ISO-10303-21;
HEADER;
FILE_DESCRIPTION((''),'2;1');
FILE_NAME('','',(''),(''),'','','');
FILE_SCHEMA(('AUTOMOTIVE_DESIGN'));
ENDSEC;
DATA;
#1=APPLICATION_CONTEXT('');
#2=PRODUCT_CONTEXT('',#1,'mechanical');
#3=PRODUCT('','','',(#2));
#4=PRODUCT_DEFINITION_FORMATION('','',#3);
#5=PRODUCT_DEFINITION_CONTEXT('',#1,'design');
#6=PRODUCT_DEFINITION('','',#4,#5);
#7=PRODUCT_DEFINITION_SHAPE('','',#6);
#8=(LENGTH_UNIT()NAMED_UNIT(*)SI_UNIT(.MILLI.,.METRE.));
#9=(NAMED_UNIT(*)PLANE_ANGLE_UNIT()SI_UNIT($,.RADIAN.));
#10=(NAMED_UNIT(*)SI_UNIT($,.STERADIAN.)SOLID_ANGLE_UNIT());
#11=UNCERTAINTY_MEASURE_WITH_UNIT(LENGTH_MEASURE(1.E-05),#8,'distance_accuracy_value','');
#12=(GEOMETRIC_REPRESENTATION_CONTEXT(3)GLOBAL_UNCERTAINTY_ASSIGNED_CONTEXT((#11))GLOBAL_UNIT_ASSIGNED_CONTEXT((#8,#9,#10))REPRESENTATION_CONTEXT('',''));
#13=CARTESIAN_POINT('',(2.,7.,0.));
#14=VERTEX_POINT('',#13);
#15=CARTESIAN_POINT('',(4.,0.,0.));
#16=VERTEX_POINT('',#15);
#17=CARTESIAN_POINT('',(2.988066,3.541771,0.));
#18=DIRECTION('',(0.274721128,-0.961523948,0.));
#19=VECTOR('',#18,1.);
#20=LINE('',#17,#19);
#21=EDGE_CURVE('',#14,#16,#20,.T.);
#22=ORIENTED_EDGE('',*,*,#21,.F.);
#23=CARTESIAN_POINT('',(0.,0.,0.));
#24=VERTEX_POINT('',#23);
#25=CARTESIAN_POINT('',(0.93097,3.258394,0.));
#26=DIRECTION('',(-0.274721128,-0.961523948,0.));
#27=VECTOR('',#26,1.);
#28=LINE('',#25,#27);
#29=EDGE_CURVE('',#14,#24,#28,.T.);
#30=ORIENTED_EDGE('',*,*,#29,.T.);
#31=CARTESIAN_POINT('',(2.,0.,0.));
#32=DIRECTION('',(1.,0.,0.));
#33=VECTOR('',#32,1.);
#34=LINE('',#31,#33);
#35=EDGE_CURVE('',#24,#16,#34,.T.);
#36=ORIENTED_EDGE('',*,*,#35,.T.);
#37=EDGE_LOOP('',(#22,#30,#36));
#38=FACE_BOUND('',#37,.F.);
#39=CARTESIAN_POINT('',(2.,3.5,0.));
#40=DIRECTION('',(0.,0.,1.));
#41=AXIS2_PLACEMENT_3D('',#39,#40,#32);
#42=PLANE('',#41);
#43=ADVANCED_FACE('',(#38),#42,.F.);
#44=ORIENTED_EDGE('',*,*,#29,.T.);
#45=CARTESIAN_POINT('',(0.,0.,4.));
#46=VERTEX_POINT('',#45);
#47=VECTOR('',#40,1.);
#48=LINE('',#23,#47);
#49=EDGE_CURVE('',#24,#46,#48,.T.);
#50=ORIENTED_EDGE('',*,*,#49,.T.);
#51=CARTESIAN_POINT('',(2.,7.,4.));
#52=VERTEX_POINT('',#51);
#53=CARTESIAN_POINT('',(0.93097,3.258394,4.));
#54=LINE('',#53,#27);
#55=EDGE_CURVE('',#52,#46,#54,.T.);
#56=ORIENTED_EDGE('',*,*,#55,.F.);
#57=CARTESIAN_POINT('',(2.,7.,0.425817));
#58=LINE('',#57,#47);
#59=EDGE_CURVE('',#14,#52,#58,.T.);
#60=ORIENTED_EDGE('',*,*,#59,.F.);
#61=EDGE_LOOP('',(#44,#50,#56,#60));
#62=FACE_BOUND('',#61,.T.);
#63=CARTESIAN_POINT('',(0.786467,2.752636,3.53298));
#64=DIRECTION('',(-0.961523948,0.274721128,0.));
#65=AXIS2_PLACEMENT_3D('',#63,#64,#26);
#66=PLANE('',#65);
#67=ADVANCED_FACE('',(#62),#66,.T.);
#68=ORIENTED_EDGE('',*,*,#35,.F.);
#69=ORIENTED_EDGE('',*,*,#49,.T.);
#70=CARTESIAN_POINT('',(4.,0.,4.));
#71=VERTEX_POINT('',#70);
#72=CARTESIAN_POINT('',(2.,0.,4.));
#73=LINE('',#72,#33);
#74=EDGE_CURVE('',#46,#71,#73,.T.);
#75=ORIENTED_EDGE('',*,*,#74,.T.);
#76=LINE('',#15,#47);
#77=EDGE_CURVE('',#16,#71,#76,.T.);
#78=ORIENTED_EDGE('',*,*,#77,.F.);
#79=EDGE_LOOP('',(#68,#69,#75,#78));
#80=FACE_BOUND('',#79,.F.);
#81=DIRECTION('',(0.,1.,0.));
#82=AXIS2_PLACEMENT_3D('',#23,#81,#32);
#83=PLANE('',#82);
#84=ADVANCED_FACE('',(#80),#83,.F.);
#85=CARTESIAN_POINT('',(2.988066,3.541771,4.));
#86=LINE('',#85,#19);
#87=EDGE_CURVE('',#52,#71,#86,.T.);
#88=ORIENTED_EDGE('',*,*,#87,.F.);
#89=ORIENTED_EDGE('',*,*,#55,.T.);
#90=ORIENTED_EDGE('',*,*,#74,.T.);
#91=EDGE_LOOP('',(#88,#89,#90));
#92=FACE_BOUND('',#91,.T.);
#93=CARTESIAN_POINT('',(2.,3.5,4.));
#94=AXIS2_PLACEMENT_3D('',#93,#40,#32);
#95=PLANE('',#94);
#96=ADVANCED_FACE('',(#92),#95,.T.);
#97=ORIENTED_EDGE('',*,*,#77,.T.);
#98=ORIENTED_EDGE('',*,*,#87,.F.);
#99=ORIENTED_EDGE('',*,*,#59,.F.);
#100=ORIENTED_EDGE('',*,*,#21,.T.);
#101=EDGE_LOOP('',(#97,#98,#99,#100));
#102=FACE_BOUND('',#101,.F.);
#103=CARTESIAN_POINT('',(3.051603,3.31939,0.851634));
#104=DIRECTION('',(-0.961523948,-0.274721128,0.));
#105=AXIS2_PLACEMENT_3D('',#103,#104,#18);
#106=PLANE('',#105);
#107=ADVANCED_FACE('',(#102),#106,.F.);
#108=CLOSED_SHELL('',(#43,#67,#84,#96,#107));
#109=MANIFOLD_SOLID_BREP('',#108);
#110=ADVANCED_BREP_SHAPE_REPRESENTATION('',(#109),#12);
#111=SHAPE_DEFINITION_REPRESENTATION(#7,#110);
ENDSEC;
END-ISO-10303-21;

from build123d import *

# Parameters (mm, degrees)
F0_W      = 4
F0_H      = 7
F1_DEPTH  = 4
F6_DEPTH  = 25
F10_DEPTH = 25


with BuildPart() as f1:
    # F0 (on Top) → F1 (new body)
    with BuildSketch(Plane.XY):
        with Locations((2, 3.5)):
            Rectangle(F0_W, F0_H)
    extrude(amount=F1_DEPTH)

    # F5 (on 3pt) → F6 (cut)
    with BuildSketch(Plane(origin=(3.6981132075, 1.0566037736, 0), x_dir=(0.2747211279, -0.9615239476, 0), z_dir=(-0.9615239476, -0.2747211279, 0))):
        Polygon((9.2587498633, -3.3276440962), (7.0551056415, 9.7208032385), (-14.3242254853, 4.7958698124), (-11.358814391, -8.0770972366), align=None)
    extrude(amount=-F6_DEPTH, mode=Mode.SUBTRACT)

    # F9 (on 3pt) → F10 (cut)
    with BuildSketch(Plane(origin=(0, 0, 0), x_dir=(-0.2747211279, -0.9615239476, 0), z_dir=(-0.9615239476, 0.2747211279, 0))):
        Polygon((-10.4345437139, -9.9992519245), (-6.7709279247, -9.4136027619), (6.2972279266, -9.4136027619), (3.8799964823, 17.0888453722), (-6.9220042787, 14.663727954), (-10.4345437139, 17.9398357868), align=None)
    extrude(amount=F10_DEPTH, mode=Mode.SUBTRACT)


solid = f1.part
